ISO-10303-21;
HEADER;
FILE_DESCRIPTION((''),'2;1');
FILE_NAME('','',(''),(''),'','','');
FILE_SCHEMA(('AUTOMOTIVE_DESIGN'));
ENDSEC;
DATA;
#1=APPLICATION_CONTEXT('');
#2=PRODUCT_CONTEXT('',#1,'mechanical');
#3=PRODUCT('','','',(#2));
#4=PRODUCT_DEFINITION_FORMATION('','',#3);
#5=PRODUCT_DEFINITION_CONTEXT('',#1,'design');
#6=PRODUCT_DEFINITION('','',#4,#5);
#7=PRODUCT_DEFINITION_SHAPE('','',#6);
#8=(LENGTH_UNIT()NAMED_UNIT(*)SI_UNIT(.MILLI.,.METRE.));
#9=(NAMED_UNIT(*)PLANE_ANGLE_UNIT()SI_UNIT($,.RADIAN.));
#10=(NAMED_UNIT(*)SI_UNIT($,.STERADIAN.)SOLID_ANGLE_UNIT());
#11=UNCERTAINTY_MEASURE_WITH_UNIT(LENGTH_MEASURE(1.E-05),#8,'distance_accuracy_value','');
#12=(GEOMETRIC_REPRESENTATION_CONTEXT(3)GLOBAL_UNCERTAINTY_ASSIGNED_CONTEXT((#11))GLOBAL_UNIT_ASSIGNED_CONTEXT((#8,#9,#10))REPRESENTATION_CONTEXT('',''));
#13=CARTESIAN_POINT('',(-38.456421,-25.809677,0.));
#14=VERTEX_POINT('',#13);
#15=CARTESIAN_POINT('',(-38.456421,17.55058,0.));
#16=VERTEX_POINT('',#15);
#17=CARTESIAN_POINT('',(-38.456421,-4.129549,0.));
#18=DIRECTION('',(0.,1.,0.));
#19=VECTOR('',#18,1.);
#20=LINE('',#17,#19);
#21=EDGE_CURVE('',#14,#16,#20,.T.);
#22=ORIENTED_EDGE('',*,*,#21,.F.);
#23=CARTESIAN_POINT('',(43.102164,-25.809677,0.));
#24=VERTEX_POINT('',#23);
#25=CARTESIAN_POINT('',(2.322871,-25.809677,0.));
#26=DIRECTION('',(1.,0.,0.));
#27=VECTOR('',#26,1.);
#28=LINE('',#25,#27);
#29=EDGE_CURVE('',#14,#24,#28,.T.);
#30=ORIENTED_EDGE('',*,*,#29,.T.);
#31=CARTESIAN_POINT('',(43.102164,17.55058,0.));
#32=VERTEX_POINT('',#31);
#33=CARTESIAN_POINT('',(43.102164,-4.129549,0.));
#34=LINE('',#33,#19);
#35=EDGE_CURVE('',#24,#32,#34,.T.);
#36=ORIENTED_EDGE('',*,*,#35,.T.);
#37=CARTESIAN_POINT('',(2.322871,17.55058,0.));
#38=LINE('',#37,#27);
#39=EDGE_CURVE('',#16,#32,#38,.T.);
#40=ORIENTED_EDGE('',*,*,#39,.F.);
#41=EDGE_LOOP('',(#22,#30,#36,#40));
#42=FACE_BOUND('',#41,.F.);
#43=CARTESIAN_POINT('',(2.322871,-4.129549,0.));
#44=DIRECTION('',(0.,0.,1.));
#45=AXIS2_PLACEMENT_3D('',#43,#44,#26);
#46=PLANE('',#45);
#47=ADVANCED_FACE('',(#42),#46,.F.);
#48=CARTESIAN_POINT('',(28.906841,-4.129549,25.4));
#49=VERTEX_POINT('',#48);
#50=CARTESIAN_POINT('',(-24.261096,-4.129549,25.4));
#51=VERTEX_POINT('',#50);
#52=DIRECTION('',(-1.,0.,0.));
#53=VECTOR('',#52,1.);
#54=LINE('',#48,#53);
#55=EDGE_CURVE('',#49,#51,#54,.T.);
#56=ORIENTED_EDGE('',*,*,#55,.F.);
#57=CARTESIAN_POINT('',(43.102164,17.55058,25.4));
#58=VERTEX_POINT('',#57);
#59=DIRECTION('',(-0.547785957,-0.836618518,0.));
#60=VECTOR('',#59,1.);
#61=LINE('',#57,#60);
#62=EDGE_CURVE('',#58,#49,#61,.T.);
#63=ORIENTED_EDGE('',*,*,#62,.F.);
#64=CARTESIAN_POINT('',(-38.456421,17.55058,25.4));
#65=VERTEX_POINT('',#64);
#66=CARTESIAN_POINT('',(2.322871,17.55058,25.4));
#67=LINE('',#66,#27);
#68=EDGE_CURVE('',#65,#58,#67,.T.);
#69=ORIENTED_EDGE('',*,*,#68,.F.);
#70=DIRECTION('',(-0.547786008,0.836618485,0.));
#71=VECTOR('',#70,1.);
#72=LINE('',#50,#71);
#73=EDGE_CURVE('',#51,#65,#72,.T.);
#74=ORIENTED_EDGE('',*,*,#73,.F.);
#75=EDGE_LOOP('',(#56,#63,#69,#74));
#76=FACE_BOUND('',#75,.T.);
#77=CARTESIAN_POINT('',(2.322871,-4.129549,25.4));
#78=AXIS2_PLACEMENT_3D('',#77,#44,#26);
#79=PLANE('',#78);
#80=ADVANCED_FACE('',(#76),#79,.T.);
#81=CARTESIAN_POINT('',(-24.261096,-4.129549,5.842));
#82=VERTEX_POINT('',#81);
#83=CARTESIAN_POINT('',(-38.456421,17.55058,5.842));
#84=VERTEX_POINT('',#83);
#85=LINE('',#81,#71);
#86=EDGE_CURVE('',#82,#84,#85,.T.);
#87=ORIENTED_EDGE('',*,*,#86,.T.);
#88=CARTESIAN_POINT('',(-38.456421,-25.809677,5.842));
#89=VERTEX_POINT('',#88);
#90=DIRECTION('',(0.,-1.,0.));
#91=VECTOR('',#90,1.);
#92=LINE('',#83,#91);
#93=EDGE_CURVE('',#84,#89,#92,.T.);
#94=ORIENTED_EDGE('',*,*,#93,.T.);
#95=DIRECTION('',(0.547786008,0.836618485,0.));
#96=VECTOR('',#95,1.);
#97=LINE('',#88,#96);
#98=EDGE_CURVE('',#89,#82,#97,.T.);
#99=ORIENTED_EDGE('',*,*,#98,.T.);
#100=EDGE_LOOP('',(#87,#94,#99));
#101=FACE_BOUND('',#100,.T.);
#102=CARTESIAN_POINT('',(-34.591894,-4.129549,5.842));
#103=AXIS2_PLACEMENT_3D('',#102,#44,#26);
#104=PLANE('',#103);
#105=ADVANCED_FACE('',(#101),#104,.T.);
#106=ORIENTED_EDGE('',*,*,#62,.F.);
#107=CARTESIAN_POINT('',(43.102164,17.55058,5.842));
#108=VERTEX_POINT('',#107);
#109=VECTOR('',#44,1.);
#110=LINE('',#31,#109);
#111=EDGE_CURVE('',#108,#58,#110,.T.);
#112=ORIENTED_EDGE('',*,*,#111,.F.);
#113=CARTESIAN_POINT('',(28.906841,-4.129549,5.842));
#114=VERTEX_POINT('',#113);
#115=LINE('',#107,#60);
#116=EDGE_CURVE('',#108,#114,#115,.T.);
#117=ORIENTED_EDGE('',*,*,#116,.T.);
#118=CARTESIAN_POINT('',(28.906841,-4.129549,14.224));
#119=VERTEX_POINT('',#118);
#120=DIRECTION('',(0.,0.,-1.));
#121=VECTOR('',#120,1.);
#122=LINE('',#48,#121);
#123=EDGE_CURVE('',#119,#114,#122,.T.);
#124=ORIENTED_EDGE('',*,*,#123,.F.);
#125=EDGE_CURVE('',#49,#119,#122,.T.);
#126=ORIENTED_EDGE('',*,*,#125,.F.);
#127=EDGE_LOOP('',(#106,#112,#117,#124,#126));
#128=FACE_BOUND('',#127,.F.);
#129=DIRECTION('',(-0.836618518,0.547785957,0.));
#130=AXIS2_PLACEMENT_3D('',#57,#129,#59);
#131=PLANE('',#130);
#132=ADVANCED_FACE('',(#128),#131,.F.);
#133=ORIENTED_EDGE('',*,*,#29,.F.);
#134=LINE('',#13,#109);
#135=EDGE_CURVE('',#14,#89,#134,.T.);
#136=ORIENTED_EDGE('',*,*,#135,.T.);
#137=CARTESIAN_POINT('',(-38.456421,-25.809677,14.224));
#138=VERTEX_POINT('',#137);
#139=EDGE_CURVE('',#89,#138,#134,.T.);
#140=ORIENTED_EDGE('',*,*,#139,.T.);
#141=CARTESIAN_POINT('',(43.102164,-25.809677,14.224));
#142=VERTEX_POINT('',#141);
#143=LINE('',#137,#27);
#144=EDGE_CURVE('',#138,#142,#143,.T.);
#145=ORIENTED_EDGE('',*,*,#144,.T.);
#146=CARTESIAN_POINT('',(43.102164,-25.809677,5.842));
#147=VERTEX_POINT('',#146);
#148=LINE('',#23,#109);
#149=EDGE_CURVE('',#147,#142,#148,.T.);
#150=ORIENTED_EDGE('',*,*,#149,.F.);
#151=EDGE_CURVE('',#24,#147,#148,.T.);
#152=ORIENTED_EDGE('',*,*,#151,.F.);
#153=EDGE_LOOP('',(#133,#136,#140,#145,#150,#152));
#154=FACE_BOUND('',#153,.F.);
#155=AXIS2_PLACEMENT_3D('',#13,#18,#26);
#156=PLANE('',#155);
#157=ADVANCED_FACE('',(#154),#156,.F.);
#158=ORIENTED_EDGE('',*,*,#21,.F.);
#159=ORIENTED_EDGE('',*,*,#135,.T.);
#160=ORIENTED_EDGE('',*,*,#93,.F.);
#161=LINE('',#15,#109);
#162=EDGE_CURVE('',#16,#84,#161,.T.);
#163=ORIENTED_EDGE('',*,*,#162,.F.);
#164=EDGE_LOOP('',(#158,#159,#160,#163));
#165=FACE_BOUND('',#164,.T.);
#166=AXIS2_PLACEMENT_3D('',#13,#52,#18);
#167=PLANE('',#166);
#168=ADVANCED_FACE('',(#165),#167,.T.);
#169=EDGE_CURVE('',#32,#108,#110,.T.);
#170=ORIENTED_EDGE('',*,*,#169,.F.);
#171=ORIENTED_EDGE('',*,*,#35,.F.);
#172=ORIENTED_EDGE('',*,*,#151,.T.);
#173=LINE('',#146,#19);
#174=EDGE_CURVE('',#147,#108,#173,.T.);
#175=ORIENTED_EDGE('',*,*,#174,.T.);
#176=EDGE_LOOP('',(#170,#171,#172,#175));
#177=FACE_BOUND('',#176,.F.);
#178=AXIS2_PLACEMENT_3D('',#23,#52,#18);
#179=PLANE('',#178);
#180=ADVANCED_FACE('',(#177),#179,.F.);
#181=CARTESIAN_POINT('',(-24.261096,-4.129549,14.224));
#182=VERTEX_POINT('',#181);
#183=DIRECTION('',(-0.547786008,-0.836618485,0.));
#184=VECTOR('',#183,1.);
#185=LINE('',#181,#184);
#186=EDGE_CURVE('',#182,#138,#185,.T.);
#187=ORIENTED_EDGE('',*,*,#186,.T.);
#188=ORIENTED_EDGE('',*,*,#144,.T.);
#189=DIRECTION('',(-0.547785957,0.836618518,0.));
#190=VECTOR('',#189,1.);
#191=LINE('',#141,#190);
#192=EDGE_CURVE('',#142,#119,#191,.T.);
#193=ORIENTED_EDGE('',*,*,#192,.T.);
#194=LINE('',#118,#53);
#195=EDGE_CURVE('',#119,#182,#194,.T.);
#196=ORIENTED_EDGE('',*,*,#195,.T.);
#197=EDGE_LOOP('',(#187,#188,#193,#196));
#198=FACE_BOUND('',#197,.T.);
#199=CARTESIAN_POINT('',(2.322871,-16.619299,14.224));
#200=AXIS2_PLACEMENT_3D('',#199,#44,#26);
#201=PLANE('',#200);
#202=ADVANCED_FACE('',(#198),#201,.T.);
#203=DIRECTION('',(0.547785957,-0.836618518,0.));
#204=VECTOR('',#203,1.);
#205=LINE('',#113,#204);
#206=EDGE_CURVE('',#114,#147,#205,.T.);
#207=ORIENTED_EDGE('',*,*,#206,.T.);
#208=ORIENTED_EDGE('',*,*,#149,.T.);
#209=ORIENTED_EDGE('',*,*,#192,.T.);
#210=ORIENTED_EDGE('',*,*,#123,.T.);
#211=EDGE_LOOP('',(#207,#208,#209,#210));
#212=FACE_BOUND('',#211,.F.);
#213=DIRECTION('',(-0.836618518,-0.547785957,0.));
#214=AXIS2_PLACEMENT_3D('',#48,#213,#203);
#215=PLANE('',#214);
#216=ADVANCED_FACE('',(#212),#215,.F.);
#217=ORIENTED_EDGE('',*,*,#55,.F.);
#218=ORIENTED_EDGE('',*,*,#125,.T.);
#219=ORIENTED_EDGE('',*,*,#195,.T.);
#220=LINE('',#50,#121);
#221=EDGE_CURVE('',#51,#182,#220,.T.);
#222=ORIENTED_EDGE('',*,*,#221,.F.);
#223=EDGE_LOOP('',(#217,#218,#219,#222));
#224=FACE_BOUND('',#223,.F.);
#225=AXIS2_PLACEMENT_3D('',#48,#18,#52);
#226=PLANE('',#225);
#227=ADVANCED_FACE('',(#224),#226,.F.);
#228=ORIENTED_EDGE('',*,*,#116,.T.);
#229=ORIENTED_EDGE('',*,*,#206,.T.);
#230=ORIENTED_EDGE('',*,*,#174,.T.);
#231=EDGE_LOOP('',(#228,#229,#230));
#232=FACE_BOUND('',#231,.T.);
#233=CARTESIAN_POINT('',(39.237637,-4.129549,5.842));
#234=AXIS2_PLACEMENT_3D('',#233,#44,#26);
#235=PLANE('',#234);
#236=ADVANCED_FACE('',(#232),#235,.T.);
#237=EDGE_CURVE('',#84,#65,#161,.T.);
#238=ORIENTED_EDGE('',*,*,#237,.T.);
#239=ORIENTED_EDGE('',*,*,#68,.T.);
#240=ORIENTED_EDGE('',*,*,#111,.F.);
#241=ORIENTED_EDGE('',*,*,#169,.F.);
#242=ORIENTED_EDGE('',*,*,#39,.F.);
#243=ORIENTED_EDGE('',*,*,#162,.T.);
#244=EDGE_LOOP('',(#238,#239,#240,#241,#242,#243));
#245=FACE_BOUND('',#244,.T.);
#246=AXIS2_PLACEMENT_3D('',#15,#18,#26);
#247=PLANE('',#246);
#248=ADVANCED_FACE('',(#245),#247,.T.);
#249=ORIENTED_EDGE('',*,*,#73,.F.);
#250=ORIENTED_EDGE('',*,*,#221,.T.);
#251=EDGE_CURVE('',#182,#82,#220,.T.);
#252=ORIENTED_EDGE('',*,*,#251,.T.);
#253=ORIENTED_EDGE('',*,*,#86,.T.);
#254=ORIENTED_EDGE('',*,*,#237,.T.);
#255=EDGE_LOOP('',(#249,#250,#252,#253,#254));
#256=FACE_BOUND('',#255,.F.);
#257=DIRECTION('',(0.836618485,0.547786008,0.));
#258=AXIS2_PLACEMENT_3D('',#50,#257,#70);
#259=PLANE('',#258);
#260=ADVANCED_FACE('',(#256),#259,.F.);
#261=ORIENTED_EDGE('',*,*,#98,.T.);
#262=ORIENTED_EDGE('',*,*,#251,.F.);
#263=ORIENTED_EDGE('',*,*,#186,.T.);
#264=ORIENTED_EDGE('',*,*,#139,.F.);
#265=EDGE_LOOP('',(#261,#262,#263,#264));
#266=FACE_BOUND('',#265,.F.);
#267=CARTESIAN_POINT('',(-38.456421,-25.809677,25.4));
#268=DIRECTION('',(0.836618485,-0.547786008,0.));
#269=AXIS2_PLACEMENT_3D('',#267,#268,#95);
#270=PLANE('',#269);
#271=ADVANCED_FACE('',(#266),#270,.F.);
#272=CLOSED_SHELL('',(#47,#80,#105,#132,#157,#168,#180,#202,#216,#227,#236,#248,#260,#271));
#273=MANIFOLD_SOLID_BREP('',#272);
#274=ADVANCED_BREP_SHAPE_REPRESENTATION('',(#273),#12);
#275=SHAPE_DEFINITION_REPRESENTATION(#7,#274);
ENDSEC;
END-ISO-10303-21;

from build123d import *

# Parameters (mm, degrees)
F0_W     = 81.5585851669
F0_H     = 43.3602575213
F1_DEPTH = 25.4
F3_DEPTH = 19.558
F5_DEPTH = 11.176


with BuildPart() as f1:
    # F0 (on Top) → F1 (new body)
    with BuildSketch(Plane.XY):
        with Locations((2.322871238, -4.1295485571)):
            Rectangle(F0_W, F0_H)
    extrude(amount=F1_DEPTH)

    # F2 (on face) → F3 (cut)
    with BuildSketch(Plane.XY.offset(25.4)):
        Polygon((-24.2610964924, -4.1295485571), (-38.4564213455, 17.5505802035), (-38.4564213455, -25.8096773177), align=None)
        Polygon((43.1021638215, -25.8096773177), (43.1021638215, 17.5505802035), (28.906840831, -4.1295485571), align=None)
    extrude(amount=-F3_DEPTH, mode=Mode.SUBTRACT)

    # F4 (on face) → F5 (cut)
    with BuildSketch(Plane.XY.offset(25.4)):
        Polygon((-24.2610964924, -4.1295485571), (-38.4564213455, -25.8096773177), (43.1021638215, -25.8096773177), (28.906840831, -4.1295485571), align=None)
    extrude(amount=-F5_DEPTH, mode=Mode.SUBTRACT)


solid = f1.part
